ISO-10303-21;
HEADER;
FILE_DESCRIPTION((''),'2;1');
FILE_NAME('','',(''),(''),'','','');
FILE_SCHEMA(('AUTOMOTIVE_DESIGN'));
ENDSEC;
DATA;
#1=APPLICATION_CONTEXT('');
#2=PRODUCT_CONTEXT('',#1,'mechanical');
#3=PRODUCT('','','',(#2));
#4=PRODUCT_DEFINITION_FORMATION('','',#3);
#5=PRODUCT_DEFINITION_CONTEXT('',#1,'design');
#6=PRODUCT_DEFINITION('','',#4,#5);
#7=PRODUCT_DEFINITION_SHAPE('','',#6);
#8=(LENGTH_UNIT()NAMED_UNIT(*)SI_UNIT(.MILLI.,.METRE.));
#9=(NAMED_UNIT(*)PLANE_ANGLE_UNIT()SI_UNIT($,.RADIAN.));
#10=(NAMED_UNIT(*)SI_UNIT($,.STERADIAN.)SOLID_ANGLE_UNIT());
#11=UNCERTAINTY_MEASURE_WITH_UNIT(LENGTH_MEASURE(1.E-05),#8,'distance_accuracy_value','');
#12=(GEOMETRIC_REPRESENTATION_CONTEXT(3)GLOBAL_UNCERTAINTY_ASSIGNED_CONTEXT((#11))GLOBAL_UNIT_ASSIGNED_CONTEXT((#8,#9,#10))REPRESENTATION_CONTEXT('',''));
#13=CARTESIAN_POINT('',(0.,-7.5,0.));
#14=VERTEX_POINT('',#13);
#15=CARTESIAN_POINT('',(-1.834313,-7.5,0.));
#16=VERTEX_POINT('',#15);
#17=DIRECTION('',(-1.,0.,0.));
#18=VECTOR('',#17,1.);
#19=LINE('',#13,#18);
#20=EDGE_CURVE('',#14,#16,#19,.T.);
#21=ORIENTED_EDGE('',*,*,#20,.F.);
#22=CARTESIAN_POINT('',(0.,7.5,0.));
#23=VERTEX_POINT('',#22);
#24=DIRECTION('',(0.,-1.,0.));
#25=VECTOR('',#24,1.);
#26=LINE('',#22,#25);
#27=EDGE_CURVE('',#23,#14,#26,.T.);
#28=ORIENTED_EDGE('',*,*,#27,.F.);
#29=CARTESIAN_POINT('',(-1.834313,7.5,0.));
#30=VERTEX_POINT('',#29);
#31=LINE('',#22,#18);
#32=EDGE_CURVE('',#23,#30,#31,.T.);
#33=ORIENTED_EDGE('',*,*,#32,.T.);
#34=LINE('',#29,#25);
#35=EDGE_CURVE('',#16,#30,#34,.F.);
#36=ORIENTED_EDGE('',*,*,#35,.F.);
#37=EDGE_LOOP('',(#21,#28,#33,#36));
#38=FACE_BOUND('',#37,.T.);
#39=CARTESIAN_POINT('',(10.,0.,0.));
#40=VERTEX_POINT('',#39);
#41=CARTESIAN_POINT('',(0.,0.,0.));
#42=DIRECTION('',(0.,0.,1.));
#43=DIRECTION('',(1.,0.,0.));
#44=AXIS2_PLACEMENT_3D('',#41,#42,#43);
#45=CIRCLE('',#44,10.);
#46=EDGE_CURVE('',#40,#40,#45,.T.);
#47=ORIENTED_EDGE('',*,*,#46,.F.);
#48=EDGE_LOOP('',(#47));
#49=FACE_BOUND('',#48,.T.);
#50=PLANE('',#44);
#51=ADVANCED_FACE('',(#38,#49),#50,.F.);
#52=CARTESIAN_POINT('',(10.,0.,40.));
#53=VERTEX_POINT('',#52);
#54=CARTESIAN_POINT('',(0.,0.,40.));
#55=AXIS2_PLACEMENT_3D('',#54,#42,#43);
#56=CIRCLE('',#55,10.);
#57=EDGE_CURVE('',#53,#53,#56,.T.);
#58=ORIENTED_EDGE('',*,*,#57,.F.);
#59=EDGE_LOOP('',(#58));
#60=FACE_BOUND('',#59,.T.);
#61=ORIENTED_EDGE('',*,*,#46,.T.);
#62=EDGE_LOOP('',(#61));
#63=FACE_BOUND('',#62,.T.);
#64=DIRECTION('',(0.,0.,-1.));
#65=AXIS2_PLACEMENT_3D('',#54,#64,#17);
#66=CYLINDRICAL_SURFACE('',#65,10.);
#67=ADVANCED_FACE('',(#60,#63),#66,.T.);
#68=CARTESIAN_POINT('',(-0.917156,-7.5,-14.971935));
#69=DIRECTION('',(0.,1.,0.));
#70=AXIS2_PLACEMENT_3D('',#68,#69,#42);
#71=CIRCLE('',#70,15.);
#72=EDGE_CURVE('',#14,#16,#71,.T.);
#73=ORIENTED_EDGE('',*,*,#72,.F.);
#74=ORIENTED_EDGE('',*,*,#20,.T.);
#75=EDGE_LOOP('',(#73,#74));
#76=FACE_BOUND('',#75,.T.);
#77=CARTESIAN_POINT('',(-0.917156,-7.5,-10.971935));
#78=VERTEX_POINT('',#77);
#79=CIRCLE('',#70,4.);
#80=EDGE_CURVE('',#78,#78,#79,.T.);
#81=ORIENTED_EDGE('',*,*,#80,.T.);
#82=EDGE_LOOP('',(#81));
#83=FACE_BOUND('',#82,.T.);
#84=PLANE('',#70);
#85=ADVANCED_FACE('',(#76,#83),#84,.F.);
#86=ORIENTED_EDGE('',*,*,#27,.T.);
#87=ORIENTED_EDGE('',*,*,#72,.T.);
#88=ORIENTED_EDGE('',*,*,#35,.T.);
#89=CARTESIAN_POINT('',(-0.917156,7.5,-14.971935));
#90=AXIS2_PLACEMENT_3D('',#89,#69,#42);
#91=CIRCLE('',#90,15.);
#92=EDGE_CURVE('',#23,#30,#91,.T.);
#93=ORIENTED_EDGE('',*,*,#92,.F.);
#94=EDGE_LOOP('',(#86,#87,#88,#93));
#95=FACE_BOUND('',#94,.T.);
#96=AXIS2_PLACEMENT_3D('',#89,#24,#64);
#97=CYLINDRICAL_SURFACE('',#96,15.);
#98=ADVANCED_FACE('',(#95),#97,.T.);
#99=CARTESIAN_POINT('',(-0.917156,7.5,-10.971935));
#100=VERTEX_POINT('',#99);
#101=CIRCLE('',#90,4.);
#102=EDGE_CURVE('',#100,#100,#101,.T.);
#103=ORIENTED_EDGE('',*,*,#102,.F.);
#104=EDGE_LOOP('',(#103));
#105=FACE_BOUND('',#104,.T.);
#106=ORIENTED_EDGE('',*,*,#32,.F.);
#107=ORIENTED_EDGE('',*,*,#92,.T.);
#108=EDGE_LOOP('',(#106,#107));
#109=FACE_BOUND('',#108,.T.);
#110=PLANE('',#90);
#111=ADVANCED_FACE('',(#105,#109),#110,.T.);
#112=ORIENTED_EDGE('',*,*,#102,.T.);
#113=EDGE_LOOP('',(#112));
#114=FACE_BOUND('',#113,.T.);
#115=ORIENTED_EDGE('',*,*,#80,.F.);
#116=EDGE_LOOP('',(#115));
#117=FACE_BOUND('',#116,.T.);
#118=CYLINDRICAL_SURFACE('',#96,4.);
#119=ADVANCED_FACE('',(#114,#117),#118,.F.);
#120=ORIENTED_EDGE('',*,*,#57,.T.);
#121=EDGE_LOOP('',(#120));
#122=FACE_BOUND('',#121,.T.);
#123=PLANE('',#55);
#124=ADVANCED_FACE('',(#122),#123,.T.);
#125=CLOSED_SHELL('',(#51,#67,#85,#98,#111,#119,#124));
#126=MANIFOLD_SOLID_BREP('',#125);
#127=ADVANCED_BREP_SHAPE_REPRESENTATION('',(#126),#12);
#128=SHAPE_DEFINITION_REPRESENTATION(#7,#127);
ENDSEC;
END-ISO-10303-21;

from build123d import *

# Parameters (mm, degrees)
SKETCH2_R           = 10
BOSS_EXTRUDE1_DEPTH = 40
SKETCH4_R           = 15
SKETCH4_R_2         = 4
BOSS_EXTRUDE2_DEPTH = 7.5


with BuildPart() as part:
    # Sketch2 → Boss-Extrude1 (new body)
    with BuildSketch(Plane.XY):
        Circle(SKETCH2_R)
    extrude(amount=BOSS_EXTRUDE1_DEPTH)

    # Sketch4 → Boss-Extrude2 (add, symmetric)
    with BuildSketch(Plane(origin=(0, 0, 0), x_dir=(1, 0, 0), z_dir=(0, 1, 0))):
        with Locations((-0.917156345, 14.971934552)):
            Circle(SKETCH4_R)
        with Locations((-0.917156345, 14.971934552)):
            Circle(SKETCH4_R_2, mode=Mode.SUBTRACT)
    extrude(amount=BOSS_EXTRUDE2_DEPTH, both=True)


solid = part.part
